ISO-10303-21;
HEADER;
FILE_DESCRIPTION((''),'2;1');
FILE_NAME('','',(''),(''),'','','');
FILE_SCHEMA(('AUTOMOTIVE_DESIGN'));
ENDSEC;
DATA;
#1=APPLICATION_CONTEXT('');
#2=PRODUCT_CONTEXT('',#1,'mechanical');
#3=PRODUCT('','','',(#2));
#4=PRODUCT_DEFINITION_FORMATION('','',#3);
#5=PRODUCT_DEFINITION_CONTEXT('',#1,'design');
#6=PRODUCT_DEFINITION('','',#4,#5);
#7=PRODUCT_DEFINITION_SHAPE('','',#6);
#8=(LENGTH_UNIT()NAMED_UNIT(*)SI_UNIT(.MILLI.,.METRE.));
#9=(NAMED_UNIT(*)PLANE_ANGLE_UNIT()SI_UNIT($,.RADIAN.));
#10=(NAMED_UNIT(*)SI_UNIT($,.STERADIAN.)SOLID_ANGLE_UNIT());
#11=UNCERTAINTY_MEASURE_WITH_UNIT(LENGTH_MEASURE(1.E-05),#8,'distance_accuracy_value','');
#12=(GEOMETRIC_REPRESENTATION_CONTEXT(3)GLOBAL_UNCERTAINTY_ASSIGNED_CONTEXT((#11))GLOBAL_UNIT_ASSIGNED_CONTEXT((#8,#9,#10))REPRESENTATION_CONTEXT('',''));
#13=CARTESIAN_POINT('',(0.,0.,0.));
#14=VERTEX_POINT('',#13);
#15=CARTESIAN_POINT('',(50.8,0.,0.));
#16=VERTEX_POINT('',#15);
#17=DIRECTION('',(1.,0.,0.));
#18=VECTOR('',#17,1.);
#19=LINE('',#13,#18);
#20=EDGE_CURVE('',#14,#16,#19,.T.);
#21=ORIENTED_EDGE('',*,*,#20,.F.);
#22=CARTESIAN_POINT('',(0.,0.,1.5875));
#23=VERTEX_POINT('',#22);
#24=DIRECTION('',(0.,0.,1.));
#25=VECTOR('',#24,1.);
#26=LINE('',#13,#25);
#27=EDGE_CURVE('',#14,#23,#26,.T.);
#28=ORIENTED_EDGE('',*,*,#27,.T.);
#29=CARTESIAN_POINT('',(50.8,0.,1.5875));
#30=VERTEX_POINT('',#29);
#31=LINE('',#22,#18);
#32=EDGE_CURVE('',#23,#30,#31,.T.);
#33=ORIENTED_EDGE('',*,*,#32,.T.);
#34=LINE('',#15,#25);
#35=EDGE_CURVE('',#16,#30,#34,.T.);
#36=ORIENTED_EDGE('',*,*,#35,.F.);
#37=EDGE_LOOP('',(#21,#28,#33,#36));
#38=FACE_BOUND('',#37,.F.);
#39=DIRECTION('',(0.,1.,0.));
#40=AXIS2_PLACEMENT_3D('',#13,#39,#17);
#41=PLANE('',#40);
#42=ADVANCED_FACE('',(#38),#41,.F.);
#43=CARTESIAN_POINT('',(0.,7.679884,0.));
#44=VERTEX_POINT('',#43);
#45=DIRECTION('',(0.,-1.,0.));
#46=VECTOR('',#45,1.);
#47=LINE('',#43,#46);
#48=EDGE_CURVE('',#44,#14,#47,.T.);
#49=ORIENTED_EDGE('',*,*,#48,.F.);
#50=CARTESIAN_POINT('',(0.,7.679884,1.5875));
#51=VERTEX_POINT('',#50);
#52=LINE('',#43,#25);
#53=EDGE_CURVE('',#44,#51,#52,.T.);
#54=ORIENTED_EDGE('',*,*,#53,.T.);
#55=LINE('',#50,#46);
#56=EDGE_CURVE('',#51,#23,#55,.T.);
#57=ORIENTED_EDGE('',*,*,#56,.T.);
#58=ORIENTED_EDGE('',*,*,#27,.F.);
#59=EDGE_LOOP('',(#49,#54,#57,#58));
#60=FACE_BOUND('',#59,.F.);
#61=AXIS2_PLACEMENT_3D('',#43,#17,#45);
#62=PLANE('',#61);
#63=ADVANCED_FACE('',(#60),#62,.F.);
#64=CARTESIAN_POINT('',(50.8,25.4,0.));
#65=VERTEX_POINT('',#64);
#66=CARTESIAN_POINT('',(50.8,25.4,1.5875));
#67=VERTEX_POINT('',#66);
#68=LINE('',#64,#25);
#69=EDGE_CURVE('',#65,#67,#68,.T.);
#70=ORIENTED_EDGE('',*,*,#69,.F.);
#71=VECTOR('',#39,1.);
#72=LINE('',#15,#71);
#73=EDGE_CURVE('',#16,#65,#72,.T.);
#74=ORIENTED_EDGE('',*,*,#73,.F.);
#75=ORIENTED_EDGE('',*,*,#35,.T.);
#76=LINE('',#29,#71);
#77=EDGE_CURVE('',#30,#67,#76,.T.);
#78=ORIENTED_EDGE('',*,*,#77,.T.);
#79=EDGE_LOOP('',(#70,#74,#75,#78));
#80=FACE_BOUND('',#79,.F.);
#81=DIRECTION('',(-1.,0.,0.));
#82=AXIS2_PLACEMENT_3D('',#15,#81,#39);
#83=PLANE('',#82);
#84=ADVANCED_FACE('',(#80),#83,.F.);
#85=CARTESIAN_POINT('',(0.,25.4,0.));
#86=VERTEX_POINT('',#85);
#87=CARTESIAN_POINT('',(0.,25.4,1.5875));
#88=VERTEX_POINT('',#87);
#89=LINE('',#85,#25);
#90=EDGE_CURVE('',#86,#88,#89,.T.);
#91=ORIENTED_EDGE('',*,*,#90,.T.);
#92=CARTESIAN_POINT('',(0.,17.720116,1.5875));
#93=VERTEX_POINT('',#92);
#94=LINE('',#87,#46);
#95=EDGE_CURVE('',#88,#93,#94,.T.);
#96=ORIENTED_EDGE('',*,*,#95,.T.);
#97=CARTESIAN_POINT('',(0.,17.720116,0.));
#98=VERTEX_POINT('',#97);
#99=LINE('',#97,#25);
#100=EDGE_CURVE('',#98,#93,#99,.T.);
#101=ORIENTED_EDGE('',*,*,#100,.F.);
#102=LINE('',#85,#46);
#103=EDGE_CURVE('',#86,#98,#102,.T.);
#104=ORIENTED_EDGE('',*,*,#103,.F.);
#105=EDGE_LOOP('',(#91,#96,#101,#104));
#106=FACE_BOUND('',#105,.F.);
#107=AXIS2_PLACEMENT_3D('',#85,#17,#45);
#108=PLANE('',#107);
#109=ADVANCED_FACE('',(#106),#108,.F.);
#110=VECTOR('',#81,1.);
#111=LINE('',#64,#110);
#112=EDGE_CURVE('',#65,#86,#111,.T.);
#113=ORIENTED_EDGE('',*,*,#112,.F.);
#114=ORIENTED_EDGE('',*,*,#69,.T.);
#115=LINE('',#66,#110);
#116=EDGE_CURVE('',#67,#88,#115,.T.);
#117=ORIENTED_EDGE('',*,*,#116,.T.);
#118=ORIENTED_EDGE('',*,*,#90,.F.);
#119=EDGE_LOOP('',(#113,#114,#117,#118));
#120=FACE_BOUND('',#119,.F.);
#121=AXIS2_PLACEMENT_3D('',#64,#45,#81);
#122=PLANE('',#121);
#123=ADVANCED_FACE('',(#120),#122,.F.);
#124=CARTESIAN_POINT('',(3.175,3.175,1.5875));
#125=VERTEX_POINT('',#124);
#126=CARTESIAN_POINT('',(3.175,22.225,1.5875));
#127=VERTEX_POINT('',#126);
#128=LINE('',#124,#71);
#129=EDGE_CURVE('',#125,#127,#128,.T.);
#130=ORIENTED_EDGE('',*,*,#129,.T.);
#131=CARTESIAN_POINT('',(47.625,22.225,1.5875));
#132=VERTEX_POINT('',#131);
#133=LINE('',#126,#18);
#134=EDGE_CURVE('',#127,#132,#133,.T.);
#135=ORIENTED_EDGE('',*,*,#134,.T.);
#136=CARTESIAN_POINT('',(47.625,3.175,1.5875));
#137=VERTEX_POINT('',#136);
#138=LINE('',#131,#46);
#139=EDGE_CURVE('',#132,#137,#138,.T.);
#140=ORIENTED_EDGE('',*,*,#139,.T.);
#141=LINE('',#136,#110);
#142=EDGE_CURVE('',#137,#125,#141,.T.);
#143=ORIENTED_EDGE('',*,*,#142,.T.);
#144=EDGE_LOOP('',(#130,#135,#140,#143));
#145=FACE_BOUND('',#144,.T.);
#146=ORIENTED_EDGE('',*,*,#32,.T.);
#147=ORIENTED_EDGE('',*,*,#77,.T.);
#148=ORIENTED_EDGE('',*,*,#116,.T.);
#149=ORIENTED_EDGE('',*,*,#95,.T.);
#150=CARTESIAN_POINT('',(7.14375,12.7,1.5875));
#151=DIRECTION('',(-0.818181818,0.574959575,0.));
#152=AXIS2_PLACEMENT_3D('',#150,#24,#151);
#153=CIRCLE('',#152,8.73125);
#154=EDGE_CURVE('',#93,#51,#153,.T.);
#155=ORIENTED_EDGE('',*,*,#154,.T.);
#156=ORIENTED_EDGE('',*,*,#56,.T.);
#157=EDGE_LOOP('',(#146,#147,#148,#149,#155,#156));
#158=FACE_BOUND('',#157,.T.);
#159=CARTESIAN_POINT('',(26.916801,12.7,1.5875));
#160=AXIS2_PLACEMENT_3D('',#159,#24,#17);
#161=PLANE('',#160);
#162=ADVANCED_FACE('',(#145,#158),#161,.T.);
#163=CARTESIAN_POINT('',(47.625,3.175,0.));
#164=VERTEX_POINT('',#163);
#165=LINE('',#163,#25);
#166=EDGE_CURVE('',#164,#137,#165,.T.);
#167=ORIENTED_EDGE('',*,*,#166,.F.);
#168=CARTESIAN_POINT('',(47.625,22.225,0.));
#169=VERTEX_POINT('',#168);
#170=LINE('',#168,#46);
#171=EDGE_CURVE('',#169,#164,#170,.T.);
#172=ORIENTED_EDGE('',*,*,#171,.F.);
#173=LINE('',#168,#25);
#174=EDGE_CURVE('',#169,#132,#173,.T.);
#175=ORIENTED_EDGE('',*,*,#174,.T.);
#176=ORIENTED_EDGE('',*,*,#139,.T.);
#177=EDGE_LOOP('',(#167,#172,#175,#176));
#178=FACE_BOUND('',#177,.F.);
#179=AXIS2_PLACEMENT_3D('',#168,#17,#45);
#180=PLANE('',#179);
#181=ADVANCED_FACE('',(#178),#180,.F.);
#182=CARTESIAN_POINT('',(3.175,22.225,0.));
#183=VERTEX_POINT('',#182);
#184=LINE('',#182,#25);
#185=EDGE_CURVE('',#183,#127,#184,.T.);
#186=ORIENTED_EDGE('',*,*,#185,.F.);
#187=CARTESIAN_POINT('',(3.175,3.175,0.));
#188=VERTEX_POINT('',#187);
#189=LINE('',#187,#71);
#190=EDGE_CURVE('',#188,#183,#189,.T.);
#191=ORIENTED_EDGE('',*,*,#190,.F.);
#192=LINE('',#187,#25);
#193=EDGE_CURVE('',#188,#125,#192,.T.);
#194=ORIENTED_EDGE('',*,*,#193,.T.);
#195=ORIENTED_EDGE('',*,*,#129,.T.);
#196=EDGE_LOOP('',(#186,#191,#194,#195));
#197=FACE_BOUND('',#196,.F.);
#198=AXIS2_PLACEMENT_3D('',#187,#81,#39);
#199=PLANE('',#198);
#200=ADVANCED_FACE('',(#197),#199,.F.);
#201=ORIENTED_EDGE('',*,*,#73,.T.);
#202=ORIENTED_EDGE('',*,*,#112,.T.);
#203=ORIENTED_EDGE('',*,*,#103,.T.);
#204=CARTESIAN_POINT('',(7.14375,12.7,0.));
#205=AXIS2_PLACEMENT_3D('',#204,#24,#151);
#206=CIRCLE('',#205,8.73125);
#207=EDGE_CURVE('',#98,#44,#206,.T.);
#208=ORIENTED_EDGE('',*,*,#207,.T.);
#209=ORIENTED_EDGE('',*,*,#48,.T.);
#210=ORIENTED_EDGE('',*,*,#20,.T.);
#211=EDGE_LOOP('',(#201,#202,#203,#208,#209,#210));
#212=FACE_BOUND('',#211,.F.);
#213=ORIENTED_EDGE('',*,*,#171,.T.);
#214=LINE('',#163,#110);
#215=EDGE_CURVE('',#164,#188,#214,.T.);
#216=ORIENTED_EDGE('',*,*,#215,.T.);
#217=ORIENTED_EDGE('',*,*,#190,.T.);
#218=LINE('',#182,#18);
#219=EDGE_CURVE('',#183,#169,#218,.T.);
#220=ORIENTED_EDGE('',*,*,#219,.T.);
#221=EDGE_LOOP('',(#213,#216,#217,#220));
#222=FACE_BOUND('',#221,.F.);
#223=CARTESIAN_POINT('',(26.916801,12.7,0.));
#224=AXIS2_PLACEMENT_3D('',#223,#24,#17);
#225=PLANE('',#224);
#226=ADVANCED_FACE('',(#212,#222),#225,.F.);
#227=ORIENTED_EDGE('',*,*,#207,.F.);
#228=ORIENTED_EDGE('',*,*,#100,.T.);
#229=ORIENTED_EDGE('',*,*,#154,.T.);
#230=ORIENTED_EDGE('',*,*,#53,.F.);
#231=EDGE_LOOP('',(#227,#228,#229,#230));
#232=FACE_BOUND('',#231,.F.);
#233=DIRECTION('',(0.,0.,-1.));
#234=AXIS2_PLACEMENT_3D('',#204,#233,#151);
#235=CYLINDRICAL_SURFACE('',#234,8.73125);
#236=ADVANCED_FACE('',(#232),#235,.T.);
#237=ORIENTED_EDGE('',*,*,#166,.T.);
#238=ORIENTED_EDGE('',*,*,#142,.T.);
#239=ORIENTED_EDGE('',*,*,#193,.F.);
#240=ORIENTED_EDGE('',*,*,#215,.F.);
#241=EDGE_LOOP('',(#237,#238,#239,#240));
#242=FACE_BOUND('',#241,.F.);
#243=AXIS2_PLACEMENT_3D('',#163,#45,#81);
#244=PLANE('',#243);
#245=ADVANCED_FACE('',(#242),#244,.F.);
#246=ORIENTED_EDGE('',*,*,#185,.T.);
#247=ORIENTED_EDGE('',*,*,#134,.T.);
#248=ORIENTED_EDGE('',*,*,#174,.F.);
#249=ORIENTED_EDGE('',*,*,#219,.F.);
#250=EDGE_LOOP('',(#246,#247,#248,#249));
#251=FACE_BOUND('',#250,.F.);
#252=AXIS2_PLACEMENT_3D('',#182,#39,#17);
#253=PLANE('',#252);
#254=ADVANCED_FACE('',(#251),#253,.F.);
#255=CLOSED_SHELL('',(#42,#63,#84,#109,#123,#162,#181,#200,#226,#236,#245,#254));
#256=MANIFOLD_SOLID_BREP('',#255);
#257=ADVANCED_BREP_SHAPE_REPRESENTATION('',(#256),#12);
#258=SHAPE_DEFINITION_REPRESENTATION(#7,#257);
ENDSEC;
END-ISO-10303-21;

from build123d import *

# Parameters (mm, degrees)
F1_DEPTH = 1.5875


with BuildPart() as f1:
    # F0 (on Top) → F1 (new body)
    with BuildSketch(Plane.XY):
        with BuildLine():
            Line((0, 7.6798842145), (0, 0))
            Line((0, 0), (50.8, 0))
            Line((50.8, 0), (50.8, 25.4))
            Line((50.8, 25.4), (0, 25.4))
            Line((0, 25.4), (0, 17.7201157855))
            ThreePointArc((0, 17.7201157855), (1.4190494999, 19.2926118305), (3.175, 20.4771299333))
            Line((3.175, 20.4771299333), (3.175, 22.225))
            Line((3.175, 22.225), (47.625, 22.225))
            Line((47.625, 22.225), (47.625, 3.175))
            Line((47.625, 3.175), (3.175, 3.175))
            Line((3.175, 3.175), (3.175, 4.9228700667))
            ThreePointArc((3.175, 4.9228700667), (1.4190494999, 6.1073881695), (0, 7.6798842145))
        make_face()
        with BuildLine():
            ThreePointArc((0, 17.7201157855), (-1.5875, 12.7), (0, 7.6798842145))
            Line((0, 7.6798842145), (0, 17.7201157855))
        make_face()
        with BuildLine():
            Line((0, 17.7201157855), (0, 7.6798842145))
            ThreePointArc((0, 7.6798842145), (1.4190494999, 6.1073881695), (3.175, 4.9228700667))
            Line((3.175, 4.9228700667), (3.175, 20.4771299333))
            ThreePointArc((3.175, 20.4771299333), (1.4190494999, 19.2926118305), (0, 17.7201157855))
        make_face()
    extrude(amount=F1_DEPTH)


solid = f1.part
